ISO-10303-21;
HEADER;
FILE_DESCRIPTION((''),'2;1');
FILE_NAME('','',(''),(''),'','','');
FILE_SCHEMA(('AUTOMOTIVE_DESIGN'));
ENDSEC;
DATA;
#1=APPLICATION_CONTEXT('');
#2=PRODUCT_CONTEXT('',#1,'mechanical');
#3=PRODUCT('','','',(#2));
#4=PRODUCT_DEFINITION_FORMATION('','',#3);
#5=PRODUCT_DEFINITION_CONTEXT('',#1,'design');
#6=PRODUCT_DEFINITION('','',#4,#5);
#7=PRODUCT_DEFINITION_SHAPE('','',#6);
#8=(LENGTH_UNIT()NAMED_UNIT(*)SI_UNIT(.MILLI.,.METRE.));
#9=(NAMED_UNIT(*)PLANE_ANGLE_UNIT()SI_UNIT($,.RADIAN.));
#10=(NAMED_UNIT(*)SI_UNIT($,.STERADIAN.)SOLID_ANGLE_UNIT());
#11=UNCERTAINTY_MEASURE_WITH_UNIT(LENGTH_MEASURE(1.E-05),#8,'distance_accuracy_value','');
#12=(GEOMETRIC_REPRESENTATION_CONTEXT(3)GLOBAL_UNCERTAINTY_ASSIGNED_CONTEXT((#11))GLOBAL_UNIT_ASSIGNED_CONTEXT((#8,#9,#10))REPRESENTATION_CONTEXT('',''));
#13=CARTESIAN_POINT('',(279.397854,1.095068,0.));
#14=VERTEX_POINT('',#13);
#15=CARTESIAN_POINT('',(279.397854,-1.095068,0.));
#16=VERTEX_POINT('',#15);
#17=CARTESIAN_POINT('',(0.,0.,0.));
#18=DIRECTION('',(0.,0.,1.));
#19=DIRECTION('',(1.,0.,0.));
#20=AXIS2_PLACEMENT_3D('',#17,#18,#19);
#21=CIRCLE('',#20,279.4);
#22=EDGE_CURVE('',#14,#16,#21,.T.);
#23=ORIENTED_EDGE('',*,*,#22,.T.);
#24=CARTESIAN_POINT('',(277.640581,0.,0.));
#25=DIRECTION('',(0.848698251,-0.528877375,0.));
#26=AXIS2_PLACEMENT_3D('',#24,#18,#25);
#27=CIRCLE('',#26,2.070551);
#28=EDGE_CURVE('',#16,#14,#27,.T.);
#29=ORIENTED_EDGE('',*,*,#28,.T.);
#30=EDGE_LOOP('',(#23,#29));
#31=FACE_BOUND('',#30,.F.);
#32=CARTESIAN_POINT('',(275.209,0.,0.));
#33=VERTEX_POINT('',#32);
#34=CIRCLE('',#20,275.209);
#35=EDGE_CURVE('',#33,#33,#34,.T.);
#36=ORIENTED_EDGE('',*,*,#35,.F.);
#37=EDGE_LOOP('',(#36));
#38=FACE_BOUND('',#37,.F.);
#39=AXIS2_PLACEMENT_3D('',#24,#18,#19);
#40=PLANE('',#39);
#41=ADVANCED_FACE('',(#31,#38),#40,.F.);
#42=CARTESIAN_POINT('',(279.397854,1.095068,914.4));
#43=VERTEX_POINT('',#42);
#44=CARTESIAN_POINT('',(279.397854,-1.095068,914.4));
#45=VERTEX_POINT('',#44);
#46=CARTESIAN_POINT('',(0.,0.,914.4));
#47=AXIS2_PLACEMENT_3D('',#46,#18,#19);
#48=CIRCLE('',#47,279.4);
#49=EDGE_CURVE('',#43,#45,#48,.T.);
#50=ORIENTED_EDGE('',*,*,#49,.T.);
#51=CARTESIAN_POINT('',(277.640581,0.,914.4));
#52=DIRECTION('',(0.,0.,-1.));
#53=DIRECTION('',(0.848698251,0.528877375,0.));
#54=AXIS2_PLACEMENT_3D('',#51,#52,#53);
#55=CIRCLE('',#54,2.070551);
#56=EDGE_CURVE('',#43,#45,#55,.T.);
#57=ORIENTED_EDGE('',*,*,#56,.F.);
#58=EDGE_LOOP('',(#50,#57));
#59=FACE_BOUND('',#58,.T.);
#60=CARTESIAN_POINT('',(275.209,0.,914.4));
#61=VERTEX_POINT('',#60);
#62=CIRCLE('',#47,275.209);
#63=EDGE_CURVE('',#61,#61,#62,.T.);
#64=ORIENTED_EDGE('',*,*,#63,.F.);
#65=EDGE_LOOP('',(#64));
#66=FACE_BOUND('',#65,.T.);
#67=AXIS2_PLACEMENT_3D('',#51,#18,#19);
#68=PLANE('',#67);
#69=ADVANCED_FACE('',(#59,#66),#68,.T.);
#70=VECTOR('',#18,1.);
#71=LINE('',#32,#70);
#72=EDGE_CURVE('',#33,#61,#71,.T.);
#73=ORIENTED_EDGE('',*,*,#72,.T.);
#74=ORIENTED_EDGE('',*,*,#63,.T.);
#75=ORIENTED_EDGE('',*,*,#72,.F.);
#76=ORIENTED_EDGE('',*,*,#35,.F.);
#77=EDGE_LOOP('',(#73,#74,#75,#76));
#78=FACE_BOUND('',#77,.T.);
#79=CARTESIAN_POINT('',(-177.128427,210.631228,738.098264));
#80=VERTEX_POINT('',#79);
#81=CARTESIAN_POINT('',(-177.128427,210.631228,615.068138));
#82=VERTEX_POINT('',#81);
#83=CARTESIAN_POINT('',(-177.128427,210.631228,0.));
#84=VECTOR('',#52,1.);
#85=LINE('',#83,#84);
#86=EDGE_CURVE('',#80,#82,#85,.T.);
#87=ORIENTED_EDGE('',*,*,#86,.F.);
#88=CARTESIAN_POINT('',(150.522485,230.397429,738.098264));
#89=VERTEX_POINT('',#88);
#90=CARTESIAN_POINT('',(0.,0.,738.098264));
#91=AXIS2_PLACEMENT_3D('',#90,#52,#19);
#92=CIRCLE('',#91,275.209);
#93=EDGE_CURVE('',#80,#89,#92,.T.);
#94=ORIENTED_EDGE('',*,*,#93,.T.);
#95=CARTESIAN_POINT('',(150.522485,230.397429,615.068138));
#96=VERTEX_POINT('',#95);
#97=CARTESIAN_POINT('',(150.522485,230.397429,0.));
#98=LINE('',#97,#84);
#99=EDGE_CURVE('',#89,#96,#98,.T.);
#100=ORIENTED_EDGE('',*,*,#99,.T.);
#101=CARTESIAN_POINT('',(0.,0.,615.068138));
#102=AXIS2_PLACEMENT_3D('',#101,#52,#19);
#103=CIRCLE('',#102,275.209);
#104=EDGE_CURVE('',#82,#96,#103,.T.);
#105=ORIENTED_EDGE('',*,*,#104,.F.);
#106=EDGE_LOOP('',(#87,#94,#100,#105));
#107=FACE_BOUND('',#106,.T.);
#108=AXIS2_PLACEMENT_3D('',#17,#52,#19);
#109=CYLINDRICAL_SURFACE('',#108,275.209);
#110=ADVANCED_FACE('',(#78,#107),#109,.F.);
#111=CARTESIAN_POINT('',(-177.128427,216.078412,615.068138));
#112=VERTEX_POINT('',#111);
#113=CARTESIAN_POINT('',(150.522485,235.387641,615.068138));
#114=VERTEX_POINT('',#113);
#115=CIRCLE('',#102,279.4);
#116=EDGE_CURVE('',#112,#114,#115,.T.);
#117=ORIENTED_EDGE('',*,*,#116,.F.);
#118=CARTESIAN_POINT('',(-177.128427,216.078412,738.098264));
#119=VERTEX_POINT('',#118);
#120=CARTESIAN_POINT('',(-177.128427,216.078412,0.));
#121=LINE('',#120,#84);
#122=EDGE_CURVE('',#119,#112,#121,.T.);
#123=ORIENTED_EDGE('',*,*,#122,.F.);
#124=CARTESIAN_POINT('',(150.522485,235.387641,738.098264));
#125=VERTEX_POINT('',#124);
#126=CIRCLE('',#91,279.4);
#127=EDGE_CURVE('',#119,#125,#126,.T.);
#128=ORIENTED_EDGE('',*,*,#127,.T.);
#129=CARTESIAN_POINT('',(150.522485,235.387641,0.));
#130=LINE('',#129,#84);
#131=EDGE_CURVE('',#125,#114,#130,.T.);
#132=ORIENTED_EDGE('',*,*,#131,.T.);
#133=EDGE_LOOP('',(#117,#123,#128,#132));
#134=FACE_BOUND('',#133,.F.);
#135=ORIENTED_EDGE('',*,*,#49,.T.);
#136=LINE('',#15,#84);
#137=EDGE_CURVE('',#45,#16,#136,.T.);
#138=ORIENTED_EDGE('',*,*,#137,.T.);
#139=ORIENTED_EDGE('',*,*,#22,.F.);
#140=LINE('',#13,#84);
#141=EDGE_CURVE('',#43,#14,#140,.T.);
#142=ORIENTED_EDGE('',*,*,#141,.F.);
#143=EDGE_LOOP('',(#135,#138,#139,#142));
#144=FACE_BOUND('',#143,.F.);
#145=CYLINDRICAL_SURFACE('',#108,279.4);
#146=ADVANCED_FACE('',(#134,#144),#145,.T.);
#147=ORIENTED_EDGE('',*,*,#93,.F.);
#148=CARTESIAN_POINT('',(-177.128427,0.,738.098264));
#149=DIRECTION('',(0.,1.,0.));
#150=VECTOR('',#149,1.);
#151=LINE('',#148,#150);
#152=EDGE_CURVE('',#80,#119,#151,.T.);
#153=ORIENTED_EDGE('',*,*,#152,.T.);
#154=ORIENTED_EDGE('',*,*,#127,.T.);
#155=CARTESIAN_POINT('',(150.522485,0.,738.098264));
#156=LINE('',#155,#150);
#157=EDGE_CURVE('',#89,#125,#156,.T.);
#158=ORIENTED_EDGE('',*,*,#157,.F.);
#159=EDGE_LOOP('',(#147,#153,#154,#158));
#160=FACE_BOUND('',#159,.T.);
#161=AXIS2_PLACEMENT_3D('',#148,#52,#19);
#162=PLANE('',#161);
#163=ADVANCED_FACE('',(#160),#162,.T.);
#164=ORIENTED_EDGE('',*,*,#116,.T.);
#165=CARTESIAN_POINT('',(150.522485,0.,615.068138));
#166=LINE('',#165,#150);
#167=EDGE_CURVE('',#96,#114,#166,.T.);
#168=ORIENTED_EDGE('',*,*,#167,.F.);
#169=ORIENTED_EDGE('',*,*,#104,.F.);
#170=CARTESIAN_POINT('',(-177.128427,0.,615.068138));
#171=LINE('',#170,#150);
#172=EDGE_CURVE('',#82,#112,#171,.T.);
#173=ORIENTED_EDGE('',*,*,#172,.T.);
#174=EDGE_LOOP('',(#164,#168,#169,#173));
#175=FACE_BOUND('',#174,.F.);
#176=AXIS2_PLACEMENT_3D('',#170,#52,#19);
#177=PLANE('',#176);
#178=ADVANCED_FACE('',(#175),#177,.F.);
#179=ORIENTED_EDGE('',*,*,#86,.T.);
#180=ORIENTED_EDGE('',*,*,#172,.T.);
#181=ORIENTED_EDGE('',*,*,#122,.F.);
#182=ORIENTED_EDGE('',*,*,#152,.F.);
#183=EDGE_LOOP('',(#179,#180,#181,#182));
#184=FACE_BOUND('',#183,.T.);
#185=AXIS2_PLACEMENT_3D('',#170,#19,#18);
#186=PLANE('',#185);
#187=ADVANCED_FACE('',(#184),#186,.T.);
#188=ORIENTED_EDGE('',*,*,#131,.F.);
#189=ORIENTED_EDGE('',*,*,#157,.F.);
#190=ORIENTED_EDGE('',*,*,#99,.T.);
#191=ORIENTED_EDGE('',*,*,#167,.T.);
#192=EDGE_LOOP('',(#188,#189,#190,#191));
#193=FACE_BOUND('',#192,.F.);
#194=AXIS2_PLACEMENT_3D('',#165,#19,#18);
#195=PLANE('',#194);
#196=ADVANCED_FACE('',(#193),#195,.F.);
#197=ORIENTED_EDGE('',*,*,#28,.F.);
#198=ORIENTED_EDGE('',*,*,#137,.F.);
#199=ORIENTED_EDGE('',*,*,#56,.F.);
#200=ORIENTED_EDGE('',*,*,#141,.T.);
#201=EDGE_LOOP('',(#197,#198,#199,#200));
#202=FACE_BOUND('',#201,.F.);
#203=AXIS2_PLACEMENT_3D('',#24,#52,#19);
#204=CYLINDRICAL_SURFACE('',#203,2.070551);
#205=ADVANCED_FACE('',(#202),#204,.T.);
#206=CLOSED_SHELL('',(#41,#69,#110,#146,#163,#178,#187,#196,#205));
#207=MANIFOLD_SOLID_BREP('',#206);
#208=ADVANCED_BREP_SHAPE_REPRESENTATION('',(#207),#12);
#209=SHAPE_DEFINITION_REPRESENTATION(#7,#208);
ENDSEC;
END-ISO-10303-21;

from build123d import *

# Parameters (mm, degrees)
F0_R     = 279.4
F0_R_2   = 275.209
F1_DEPTH = 914.4
F2_W     = 327.650912
F2_H     = 123.030126
F3_DEPTH = 279.401
F4_R     = 2.070551
F5_DEPTH = 914.4


with BuildPart() as f1:
    # F0 (on Top) → F1 (new body)
    with BuildSketch(Plane.XY):
        Circle(F0_R)
        Circle(F0_R_2, mode=Mode.SUBTRACT)
    extrude(amount=F1_DEPTH)

    # F2 (on Front) → F3 (cut, through all)
    with BuildSketch(Plane.XZ):
        with Locations((-13.302971, 676.583201)):
            Rectangle(F2_W, F2_H)
    extrude(amount=-F3_DEPTH, mode=Mode.SUBTRACT)

    # F4 (on Top) → F5 (join)
    with BuildSketch(Plane.XY):
        with Locations((277.640581, 0)):
            Circle(F4_R)
    extrude(amount=F5_DEPTH)


solid = f1.part
